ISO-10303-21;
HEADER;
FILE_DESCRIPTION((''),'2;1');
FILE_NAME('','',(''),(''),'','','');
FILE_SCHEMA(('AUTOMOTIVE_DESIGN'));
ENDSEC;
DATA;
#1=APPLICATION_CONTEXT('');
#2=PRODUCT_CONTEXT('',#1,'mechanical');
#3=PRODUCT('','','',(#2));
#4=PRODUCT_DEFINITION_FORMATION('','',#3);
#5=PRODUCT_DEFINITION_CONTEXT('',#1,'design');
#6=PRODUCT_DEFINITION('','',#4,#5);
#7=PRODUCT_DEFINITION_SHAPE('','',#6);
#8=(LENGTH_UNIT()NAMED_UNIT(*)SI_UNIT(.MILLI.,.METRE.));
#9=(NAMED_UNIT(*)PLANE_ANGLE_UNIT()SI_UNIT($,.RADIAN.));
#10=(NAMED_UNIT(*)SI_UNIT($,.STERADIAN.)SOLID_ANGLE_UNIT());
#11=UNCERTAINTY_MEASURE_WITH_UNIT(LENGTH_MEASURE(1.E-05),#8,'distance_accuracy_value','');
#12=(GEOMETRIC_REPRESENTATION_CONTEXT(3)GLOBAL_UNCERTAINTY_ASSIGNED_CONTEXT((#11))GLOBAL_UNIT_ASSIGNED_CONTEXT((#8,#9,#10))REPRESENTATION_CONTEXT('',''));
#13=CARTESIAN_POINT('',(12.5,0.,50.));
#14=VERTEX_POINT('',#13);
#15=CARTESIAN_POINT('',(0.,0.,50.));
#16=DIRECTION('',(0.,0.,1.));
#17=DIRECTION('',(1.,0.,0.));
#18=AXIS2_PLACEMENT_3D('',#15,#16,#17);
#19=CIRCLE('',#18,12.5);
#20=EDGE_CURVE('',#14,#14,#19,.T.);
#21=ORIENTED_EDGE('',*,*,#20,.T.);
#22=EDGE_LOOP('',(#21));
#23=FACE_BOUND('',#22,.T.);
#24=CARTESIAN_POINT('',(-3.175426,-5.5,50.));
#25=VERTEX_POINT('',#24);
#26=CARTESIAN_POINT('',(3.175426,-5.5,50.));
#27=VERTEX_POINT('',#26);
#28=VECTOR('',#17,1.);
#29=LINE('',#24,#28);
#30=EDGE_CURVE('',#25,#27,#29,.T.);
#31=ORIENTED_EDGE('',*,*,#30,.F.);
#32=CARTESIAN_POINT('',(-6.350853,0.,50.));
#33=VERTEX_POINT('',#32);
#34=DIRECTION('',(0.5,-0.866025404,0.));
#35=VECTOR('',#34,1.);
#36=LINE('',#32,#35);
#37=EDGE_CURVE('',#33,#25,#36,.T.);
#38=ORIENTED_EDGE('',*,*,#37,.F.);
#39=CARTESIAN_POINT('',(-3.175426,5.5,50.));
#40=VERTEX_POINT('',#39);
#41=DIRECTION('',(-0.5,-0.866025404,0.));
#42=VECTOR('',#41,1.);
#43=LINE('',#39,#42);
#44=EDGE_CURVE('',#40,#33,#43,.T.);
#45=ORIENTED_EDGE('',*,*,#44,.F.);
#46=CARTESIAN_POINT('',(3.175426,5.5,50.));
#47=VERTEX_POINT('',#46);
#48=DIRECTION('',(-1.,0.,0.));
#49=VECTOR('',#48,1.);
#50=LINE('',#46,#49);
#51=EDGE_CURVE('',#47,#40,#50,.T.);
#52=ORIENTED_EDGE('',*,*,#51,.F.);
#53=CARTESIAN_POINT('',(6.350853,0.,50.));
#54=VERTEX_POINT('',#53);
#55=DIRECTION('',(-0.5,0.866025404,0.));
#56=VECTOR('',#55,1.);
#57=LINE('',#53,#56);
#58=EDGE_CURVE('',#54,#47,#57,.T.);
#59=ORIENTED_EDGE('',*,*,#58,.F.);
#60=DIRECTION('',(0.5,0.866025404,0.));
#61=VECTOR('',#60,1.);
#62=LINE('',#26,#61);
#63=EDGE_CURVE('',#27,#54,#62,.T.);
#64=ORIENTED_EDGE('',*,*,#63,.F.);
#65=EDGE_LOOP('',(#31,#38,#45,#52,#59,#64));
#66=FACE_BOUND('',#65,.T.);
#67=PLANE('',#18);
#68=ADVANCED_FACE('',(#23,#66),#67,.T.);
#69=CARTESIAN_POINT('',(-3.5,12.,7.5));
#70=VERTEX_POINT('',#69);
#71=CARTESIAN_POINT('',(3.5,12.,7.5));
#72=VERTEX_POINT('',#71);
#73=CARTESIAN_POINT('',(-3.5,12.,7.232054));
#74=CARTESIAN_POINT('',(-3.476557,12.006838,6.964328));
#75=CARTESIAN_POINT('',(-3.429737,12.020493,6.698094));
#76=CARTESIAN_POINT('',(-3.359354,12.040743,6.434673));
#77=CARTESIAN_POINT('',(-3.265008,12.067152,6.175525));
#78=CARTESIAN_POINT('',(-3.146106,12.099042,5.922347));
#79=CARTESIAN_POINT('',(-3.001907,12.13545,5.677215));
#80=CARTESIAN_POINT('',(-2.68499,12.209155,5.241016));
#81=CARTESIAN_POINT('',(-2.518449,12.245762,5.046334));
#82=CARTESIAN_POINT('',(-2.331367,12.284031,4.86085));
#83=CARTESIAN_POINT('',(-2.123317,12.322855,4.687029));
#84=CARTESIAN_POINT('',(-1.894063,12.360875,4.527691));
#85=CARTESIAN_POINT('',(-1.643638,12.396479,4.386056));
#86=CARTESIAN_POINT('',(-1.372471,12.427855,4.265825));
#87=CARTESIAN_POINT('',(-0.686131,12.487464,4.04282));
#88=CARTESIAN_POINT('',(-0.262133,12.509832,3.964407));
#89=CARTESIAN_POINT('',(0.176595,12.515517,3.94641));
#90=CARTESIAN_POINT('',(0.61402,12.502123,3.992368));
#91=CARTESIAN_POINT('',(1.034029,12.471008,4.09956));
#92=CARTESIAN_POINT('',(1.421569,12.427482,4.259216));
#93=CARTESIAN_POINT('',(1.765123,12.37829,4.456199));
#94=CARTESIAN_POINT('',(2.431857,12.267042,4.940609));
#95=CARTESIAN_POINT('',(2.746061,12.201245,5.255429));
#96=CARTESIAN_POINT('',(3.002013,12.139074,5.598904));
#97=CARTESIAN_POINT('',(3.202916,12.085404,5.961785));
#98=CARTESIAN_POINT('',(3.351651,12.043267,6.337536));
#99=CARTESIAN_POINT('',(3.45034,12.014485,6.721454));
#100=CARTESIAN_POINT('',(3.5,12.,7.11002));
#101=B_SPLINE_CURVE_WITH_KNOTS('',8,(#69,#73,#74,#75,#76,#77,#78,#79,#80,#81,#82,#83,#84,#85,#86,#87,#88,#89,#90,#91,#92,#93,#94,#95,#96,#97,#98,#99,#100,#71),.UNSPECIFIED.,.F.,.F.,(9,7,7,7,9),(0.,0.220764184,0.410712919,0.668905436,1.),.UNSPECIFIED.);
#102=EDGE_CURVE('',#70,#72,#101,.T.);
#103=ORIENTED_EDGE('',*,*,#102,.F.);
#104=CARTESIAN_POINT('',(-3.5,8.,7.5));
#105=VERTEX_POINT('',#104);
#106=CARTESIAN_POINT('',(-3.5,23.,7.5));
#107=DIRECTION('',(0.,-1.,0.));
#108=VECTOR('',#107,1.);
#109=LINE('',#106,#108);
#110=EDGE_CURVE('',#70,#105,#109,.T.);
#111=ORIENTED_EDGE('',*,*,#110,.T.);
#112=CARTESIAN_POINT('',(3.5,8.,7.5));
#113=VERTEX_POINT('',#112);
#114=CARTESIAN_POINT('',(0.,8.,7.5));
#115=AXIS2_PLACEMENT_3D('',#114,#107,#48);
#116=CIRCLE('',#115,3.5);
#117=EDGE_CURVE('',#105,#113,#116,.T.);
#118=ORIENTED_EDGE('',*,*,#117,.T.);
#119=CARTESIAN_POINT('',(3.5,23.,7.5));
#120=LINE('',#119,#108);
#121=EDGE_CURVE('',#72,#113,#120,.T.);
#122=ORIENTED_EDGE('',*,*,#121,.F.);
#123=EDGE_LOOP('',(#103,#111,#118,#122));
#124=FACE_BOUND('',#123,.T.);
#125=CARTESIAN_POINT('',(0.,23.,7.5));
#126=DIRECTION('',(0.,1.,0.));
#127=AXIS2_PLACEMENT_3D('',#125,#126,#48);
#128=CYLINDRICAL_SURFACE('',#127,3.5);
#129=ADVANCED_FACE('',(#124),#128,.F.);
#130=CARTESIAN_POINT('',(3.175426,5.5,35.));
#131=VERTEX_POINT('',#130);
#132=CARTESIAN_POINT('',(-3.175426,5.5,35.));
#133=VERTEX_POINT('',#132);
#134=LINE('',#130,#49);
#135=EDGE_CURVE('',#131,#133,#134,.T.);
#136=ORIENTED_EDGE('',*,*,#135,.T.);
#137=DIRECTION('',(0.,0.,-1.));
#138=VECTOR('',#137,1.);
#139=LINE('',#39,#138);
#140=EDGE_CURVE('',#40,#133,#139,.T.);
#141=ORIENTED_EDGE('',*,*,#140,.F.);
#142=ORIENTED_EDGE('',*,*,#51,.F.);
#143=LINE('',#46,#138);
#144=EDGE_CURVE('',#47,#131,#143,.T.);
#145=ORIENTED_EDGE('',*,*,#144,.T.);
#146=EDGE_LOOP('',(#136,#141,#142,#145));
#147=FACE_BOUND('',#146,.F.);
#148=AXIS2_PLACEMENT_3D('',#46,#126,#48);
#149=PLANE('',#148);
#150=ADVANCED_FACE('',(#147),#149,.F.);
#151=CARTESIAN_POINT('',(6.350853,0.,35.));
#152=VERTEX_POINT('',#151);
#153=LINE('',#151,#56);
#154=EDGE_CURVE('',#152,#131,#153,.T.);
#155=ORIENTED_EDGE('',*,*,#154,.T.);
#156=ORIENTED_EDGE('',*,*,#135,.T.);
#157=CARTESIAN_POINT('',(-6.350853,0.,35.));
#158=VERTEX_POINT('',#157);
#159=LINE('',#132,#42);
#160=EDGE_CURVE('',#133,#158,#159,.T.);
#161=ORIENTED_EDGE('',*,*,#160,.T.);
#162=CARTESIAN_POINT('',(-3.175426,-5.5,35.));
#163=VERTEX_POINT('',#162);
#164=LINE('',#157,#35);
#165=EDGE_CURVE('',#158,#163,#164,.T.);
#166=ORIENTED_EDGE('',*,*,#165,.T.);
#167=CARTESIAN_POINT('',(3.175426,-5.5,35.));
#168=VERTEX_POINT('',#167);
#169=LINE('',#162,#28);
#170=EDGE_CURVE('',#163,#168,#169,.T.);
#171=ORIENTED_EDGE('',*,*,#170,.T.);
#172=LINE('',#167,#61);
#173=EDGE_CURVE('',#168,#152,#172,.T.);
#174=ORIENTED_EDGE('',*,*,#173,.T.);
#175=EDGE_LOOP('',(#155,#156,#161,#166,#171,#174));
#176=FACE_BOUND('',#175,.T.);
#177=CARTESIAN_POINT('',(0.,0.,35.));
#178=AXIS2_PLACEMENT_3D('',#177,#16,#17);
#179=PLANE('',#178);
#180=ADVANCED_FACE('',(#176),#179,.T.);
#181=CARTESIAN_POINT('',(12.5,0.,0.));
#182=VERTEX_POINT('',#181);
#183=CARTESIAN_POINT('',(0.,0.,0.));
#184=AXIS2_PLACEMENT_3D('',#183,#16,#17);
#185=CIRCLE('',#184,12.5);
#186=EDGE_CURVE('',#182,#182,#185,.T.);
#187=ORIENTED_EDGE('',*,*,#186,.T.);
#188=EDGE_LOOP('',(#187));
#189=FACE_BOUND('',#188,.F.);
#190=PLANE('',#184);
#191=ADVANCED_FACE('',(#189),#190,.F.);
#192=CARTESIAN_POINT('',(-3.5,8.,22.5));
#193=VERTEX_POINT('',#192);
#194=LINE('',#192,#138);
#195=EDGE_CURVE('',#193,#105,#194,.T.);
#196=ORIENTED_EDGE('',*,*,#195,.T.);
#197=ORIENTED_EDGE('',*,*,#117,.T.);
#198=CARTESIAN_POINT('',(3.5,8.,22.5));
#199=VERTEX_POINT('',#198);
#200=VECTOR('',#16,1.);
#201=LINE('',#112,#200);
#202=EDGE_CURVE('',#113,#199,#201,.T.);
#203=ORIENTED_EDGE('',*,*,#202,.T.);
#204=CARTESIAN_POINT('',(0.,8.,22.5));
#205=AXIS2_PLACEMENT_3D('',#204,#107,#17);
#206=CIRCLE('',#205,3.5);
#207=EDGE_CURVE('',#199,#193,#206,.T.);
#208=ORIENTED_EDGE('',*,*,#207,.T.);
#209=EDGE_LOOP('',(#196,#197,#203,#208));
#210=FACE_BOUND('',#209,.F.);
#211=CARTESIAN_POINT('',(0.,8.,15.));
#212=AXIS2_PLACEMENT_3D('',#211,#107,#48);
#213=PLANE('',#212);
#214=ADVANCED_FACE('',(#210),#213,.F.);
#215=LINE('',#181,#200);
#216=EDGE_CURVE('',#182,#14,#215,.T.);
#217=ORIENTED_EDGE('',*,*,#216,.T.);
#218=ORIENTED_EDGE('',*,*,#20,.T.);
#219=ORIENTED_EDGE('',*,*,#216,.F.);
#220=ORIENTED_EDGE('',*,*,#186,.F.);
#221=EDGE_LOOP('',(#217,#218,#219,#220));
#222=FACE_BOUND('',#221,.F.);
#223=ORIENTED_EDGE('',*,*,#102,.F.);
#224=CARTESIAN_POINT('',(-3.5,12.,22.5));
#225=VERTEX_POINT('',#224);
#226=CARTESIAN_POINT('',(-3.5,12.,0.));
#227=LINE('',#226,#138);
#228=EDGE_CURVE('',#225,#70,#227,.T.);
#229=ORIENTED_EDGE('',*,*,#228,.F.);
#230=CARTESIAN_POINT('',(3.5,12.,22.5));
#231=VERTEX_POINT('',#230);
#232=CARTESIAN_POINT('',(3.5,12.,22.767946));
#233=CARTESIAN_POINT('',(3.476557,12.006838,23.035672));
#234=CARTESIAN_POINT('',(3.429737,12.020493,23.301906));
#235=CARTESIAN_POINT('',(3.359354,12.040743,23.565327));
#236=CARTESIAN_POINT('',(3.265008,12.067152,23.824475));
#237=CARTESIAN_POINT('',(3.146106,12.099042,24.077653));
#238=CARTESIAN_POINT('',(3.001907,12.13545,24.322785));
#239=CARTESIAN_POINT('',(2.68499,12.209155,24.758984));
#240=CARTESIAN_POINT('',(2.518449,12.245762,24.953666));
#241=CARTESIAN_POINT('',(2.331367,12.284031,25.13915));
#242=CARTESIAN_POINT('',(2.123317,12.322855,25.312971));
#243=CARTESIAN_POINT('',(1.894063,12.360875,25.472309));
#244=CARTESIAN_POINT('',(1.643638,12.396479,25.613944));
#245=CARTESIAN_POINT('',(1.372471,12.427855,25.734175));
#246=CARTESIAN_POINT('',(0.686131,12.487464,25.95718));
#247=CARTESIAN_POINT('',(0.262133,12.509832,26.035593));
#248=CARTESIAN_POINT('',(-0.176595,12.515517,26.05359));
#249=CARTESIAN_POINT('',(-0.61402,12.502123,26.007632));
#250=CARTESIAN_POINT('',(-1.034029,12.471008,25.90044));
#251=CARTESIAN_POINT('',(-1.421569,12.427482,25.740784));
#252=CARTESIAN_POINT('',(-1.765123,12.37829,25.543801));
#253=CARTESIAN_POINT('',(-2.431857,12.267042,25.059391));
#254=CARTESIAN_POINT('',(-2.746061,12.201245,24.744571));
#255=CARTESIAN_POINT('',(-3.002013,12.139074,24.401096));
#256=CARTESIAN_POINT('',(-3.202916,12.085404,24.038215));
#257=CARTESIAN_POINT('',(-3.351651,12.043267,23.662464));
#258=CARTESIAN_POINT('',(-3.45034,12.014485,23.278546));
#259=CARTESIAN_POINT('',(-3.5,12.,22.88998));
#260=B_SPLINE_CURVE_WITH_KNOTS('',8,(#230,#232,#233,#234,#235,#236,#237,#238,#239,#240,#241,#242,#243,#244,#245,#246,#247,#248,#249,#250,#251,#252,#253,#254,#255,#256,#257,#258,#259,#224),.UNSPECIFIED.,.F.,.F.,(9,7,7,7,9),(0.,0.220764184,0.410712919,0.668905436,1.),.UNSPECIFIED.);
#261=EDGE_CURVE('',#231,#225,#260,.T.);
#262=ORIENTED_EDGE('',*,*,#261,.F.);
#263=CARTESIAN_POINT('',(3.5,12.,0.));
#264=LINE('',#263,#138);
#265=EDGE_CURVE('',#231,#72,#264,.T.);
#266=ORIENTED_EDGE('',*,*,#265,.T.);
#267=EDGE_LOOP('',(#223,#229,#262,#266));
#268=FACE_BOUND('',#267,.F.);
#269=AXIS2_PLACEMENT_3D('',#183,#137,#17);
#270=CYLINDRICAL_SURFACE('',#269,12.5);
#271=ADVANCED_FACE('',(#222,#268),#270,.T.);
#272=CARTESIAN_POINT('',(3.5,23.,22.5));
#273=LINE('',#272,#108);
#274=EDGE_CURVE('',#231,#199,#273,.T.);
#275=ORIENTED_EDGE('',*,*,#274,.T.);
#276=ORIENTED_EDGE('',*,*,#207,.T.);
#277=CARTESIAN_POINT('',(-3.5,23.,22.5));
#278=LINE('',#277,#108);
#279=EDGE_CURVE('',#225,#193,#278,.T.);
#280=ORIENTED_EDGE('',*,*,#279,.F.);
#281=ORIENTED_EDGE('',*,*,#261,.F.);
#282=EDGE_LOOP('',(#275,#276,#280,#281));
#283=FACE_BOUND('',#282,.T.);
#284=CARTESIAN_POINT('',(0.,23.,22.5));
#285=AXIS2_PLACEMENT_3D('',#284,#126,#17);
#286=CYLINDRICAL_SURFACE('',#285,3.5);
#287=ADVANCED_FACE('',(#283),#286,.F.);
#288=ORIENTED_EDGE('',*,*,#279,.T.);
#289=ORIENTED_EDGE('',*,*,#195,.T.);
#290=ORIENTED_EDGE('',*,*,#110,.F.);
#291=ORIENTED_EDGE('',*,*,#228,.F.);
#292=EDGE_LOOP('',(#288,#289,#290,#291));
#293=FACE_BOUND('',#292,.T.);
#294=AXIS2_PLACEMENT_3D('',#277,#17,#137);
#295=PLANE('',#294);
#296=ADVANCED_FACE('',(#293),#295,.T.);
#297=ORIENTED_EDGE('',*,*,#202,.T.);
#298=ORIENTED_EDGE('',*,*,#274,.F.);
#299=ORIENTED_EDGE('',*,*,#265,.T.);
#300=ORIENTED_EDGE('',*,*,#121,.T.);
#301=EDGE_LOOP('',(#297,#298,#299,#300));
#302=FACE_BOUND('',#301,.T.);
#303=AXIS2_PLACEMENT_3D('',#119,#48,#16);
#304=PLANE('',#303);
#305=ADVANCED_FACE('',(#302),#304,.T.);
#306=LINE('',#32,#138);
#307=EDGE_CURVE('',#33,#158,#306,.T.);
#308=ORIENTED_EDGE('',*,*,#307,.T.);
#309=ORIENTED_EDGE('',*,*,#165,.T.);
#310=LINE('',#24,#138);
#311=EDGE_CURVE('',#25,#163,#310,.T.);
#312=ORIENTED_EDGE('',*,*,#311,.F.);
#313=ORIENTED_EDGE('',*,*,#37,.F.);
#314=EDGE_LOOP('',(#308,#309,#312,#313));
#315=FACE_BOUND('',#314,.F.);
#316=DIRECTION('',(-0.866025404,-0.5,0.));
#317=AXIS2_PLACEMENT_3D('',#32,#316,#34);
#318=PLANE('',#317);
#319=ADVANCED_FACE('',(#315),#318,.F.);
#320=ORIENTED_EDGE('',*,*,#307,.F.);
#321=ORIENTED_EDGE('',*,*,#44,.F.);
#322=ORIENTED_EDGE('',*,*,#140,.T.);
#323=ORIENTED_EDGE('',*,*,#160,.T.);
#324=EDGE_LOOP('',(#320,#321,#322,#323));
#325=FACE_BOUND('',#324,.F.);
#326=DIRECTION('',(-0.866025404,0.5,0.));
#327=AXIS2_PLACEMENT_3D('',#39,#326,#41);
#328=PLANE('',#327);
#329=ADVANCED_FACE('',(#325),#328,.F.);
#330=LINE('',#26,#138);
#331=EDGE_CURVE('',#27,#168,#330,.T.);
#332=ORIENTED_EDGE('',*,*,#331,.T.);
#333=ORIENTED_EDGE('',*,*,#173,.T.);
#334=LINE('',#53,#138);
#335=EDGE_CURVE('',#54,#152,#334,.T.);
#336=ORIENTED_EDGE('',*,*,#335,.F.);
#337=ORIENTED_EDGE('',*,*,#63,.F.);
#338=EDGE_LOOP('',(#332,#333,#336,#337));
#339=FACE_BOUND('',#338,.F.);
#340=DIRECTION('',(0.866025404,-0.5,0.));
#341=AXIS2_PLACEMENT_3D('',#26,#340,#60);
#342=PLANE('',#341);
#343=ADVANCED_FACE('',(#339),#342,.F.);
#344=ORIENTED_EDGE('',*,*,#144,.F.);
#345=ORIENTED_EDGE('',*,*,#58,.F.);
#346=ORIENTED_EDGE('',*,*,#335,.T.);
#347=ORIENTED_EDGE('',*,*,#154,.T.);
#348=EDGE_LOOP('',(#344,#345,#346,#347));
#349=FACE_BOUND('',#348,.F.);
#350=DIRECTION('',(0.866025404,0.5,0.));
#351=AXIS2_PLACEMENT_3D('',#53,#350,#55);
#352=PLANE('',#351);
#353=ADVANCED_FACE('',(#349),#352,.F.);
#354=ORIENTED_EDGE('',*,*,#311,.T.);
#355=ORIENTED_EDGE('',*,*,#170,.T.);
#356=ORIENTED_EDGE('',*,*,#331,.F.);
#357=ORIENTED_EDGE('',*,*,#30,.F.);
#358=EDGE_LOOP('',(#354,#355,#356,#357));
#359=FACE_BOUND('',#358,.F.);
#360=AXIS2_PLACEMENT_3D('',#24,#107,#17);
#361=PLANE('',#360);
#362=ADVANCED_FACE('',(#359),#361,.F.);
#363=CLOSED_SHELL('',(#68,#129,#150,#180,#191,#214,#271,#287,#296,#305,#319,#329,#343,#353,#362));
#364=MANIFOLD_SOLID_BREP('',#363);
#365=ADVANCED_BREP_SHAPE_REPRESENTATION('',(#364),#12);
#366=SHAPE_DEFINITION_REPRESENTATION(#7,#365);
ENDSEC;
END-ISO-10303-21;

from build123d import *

# Parameters (mm, degrees)
SCHIZZO1_R                   = 12.5
ESTRUSIONE_ESTRUSIONE1_DEPTH = 50
TAGLIO_ESTRUSIONE1_DEPTH     = 15
TAGLIO_ESTRUSIONE3_START     = 23
TAGLIO_ESTRUSIONE3_DEPTH     = 15


with BuildPart() as part:
    # Schizzo1 → Estrusione-Estrusione1 (new body)
    with BuildSketch(Plane.XY):
        Circle(SCHIZZO1_R)
    extrude(amount=ESTRUSIONE_ESTRUSIONE1_DEPTH)

    # Schizzo2 → Taglio-Estrusione1 (cut)
    with BuildSketch(Plane.XY.offset(50)):
        Polygon((-3.175426481, 5.5), (-6.350852961, 0), (-3.175426481, -5.5), (3.175426481, -5.5), (6.350852961, 0), (3.175426481, 5.5), align=None)
    extrude(amount=-TAGLIO_ESTRUSIONE1_DEPTH, mode=Mode.SUBTRACT)

    # Schizzo3 → Taglio-Estrusione3 (cut)
    with BuildSketch(Plane(origin=(0, 0, 0), x_dir=(1, 0, 0), z_dir=(0, 1, 0)).offset(TAGLIO_ESTRUSIONE3_START)):
        with BuildLine():
            Line((3.5, -7.5), (3.5, -22.5))
            ThreePointArc((3.5, -22.5), (0, -26), (-3.5, -22.5))
            Line((-3.5, -22.5), (-3.5, -7.5))
            ThreePointArc((-3.5, -7.5), (0, -4), (3.5, -7.5))
        make_face()
    extrude(amount=-TAGLIO_ESTRUSIONE3_DEPTH, mode=Mode.SUBTRACT)


solid = part.part
